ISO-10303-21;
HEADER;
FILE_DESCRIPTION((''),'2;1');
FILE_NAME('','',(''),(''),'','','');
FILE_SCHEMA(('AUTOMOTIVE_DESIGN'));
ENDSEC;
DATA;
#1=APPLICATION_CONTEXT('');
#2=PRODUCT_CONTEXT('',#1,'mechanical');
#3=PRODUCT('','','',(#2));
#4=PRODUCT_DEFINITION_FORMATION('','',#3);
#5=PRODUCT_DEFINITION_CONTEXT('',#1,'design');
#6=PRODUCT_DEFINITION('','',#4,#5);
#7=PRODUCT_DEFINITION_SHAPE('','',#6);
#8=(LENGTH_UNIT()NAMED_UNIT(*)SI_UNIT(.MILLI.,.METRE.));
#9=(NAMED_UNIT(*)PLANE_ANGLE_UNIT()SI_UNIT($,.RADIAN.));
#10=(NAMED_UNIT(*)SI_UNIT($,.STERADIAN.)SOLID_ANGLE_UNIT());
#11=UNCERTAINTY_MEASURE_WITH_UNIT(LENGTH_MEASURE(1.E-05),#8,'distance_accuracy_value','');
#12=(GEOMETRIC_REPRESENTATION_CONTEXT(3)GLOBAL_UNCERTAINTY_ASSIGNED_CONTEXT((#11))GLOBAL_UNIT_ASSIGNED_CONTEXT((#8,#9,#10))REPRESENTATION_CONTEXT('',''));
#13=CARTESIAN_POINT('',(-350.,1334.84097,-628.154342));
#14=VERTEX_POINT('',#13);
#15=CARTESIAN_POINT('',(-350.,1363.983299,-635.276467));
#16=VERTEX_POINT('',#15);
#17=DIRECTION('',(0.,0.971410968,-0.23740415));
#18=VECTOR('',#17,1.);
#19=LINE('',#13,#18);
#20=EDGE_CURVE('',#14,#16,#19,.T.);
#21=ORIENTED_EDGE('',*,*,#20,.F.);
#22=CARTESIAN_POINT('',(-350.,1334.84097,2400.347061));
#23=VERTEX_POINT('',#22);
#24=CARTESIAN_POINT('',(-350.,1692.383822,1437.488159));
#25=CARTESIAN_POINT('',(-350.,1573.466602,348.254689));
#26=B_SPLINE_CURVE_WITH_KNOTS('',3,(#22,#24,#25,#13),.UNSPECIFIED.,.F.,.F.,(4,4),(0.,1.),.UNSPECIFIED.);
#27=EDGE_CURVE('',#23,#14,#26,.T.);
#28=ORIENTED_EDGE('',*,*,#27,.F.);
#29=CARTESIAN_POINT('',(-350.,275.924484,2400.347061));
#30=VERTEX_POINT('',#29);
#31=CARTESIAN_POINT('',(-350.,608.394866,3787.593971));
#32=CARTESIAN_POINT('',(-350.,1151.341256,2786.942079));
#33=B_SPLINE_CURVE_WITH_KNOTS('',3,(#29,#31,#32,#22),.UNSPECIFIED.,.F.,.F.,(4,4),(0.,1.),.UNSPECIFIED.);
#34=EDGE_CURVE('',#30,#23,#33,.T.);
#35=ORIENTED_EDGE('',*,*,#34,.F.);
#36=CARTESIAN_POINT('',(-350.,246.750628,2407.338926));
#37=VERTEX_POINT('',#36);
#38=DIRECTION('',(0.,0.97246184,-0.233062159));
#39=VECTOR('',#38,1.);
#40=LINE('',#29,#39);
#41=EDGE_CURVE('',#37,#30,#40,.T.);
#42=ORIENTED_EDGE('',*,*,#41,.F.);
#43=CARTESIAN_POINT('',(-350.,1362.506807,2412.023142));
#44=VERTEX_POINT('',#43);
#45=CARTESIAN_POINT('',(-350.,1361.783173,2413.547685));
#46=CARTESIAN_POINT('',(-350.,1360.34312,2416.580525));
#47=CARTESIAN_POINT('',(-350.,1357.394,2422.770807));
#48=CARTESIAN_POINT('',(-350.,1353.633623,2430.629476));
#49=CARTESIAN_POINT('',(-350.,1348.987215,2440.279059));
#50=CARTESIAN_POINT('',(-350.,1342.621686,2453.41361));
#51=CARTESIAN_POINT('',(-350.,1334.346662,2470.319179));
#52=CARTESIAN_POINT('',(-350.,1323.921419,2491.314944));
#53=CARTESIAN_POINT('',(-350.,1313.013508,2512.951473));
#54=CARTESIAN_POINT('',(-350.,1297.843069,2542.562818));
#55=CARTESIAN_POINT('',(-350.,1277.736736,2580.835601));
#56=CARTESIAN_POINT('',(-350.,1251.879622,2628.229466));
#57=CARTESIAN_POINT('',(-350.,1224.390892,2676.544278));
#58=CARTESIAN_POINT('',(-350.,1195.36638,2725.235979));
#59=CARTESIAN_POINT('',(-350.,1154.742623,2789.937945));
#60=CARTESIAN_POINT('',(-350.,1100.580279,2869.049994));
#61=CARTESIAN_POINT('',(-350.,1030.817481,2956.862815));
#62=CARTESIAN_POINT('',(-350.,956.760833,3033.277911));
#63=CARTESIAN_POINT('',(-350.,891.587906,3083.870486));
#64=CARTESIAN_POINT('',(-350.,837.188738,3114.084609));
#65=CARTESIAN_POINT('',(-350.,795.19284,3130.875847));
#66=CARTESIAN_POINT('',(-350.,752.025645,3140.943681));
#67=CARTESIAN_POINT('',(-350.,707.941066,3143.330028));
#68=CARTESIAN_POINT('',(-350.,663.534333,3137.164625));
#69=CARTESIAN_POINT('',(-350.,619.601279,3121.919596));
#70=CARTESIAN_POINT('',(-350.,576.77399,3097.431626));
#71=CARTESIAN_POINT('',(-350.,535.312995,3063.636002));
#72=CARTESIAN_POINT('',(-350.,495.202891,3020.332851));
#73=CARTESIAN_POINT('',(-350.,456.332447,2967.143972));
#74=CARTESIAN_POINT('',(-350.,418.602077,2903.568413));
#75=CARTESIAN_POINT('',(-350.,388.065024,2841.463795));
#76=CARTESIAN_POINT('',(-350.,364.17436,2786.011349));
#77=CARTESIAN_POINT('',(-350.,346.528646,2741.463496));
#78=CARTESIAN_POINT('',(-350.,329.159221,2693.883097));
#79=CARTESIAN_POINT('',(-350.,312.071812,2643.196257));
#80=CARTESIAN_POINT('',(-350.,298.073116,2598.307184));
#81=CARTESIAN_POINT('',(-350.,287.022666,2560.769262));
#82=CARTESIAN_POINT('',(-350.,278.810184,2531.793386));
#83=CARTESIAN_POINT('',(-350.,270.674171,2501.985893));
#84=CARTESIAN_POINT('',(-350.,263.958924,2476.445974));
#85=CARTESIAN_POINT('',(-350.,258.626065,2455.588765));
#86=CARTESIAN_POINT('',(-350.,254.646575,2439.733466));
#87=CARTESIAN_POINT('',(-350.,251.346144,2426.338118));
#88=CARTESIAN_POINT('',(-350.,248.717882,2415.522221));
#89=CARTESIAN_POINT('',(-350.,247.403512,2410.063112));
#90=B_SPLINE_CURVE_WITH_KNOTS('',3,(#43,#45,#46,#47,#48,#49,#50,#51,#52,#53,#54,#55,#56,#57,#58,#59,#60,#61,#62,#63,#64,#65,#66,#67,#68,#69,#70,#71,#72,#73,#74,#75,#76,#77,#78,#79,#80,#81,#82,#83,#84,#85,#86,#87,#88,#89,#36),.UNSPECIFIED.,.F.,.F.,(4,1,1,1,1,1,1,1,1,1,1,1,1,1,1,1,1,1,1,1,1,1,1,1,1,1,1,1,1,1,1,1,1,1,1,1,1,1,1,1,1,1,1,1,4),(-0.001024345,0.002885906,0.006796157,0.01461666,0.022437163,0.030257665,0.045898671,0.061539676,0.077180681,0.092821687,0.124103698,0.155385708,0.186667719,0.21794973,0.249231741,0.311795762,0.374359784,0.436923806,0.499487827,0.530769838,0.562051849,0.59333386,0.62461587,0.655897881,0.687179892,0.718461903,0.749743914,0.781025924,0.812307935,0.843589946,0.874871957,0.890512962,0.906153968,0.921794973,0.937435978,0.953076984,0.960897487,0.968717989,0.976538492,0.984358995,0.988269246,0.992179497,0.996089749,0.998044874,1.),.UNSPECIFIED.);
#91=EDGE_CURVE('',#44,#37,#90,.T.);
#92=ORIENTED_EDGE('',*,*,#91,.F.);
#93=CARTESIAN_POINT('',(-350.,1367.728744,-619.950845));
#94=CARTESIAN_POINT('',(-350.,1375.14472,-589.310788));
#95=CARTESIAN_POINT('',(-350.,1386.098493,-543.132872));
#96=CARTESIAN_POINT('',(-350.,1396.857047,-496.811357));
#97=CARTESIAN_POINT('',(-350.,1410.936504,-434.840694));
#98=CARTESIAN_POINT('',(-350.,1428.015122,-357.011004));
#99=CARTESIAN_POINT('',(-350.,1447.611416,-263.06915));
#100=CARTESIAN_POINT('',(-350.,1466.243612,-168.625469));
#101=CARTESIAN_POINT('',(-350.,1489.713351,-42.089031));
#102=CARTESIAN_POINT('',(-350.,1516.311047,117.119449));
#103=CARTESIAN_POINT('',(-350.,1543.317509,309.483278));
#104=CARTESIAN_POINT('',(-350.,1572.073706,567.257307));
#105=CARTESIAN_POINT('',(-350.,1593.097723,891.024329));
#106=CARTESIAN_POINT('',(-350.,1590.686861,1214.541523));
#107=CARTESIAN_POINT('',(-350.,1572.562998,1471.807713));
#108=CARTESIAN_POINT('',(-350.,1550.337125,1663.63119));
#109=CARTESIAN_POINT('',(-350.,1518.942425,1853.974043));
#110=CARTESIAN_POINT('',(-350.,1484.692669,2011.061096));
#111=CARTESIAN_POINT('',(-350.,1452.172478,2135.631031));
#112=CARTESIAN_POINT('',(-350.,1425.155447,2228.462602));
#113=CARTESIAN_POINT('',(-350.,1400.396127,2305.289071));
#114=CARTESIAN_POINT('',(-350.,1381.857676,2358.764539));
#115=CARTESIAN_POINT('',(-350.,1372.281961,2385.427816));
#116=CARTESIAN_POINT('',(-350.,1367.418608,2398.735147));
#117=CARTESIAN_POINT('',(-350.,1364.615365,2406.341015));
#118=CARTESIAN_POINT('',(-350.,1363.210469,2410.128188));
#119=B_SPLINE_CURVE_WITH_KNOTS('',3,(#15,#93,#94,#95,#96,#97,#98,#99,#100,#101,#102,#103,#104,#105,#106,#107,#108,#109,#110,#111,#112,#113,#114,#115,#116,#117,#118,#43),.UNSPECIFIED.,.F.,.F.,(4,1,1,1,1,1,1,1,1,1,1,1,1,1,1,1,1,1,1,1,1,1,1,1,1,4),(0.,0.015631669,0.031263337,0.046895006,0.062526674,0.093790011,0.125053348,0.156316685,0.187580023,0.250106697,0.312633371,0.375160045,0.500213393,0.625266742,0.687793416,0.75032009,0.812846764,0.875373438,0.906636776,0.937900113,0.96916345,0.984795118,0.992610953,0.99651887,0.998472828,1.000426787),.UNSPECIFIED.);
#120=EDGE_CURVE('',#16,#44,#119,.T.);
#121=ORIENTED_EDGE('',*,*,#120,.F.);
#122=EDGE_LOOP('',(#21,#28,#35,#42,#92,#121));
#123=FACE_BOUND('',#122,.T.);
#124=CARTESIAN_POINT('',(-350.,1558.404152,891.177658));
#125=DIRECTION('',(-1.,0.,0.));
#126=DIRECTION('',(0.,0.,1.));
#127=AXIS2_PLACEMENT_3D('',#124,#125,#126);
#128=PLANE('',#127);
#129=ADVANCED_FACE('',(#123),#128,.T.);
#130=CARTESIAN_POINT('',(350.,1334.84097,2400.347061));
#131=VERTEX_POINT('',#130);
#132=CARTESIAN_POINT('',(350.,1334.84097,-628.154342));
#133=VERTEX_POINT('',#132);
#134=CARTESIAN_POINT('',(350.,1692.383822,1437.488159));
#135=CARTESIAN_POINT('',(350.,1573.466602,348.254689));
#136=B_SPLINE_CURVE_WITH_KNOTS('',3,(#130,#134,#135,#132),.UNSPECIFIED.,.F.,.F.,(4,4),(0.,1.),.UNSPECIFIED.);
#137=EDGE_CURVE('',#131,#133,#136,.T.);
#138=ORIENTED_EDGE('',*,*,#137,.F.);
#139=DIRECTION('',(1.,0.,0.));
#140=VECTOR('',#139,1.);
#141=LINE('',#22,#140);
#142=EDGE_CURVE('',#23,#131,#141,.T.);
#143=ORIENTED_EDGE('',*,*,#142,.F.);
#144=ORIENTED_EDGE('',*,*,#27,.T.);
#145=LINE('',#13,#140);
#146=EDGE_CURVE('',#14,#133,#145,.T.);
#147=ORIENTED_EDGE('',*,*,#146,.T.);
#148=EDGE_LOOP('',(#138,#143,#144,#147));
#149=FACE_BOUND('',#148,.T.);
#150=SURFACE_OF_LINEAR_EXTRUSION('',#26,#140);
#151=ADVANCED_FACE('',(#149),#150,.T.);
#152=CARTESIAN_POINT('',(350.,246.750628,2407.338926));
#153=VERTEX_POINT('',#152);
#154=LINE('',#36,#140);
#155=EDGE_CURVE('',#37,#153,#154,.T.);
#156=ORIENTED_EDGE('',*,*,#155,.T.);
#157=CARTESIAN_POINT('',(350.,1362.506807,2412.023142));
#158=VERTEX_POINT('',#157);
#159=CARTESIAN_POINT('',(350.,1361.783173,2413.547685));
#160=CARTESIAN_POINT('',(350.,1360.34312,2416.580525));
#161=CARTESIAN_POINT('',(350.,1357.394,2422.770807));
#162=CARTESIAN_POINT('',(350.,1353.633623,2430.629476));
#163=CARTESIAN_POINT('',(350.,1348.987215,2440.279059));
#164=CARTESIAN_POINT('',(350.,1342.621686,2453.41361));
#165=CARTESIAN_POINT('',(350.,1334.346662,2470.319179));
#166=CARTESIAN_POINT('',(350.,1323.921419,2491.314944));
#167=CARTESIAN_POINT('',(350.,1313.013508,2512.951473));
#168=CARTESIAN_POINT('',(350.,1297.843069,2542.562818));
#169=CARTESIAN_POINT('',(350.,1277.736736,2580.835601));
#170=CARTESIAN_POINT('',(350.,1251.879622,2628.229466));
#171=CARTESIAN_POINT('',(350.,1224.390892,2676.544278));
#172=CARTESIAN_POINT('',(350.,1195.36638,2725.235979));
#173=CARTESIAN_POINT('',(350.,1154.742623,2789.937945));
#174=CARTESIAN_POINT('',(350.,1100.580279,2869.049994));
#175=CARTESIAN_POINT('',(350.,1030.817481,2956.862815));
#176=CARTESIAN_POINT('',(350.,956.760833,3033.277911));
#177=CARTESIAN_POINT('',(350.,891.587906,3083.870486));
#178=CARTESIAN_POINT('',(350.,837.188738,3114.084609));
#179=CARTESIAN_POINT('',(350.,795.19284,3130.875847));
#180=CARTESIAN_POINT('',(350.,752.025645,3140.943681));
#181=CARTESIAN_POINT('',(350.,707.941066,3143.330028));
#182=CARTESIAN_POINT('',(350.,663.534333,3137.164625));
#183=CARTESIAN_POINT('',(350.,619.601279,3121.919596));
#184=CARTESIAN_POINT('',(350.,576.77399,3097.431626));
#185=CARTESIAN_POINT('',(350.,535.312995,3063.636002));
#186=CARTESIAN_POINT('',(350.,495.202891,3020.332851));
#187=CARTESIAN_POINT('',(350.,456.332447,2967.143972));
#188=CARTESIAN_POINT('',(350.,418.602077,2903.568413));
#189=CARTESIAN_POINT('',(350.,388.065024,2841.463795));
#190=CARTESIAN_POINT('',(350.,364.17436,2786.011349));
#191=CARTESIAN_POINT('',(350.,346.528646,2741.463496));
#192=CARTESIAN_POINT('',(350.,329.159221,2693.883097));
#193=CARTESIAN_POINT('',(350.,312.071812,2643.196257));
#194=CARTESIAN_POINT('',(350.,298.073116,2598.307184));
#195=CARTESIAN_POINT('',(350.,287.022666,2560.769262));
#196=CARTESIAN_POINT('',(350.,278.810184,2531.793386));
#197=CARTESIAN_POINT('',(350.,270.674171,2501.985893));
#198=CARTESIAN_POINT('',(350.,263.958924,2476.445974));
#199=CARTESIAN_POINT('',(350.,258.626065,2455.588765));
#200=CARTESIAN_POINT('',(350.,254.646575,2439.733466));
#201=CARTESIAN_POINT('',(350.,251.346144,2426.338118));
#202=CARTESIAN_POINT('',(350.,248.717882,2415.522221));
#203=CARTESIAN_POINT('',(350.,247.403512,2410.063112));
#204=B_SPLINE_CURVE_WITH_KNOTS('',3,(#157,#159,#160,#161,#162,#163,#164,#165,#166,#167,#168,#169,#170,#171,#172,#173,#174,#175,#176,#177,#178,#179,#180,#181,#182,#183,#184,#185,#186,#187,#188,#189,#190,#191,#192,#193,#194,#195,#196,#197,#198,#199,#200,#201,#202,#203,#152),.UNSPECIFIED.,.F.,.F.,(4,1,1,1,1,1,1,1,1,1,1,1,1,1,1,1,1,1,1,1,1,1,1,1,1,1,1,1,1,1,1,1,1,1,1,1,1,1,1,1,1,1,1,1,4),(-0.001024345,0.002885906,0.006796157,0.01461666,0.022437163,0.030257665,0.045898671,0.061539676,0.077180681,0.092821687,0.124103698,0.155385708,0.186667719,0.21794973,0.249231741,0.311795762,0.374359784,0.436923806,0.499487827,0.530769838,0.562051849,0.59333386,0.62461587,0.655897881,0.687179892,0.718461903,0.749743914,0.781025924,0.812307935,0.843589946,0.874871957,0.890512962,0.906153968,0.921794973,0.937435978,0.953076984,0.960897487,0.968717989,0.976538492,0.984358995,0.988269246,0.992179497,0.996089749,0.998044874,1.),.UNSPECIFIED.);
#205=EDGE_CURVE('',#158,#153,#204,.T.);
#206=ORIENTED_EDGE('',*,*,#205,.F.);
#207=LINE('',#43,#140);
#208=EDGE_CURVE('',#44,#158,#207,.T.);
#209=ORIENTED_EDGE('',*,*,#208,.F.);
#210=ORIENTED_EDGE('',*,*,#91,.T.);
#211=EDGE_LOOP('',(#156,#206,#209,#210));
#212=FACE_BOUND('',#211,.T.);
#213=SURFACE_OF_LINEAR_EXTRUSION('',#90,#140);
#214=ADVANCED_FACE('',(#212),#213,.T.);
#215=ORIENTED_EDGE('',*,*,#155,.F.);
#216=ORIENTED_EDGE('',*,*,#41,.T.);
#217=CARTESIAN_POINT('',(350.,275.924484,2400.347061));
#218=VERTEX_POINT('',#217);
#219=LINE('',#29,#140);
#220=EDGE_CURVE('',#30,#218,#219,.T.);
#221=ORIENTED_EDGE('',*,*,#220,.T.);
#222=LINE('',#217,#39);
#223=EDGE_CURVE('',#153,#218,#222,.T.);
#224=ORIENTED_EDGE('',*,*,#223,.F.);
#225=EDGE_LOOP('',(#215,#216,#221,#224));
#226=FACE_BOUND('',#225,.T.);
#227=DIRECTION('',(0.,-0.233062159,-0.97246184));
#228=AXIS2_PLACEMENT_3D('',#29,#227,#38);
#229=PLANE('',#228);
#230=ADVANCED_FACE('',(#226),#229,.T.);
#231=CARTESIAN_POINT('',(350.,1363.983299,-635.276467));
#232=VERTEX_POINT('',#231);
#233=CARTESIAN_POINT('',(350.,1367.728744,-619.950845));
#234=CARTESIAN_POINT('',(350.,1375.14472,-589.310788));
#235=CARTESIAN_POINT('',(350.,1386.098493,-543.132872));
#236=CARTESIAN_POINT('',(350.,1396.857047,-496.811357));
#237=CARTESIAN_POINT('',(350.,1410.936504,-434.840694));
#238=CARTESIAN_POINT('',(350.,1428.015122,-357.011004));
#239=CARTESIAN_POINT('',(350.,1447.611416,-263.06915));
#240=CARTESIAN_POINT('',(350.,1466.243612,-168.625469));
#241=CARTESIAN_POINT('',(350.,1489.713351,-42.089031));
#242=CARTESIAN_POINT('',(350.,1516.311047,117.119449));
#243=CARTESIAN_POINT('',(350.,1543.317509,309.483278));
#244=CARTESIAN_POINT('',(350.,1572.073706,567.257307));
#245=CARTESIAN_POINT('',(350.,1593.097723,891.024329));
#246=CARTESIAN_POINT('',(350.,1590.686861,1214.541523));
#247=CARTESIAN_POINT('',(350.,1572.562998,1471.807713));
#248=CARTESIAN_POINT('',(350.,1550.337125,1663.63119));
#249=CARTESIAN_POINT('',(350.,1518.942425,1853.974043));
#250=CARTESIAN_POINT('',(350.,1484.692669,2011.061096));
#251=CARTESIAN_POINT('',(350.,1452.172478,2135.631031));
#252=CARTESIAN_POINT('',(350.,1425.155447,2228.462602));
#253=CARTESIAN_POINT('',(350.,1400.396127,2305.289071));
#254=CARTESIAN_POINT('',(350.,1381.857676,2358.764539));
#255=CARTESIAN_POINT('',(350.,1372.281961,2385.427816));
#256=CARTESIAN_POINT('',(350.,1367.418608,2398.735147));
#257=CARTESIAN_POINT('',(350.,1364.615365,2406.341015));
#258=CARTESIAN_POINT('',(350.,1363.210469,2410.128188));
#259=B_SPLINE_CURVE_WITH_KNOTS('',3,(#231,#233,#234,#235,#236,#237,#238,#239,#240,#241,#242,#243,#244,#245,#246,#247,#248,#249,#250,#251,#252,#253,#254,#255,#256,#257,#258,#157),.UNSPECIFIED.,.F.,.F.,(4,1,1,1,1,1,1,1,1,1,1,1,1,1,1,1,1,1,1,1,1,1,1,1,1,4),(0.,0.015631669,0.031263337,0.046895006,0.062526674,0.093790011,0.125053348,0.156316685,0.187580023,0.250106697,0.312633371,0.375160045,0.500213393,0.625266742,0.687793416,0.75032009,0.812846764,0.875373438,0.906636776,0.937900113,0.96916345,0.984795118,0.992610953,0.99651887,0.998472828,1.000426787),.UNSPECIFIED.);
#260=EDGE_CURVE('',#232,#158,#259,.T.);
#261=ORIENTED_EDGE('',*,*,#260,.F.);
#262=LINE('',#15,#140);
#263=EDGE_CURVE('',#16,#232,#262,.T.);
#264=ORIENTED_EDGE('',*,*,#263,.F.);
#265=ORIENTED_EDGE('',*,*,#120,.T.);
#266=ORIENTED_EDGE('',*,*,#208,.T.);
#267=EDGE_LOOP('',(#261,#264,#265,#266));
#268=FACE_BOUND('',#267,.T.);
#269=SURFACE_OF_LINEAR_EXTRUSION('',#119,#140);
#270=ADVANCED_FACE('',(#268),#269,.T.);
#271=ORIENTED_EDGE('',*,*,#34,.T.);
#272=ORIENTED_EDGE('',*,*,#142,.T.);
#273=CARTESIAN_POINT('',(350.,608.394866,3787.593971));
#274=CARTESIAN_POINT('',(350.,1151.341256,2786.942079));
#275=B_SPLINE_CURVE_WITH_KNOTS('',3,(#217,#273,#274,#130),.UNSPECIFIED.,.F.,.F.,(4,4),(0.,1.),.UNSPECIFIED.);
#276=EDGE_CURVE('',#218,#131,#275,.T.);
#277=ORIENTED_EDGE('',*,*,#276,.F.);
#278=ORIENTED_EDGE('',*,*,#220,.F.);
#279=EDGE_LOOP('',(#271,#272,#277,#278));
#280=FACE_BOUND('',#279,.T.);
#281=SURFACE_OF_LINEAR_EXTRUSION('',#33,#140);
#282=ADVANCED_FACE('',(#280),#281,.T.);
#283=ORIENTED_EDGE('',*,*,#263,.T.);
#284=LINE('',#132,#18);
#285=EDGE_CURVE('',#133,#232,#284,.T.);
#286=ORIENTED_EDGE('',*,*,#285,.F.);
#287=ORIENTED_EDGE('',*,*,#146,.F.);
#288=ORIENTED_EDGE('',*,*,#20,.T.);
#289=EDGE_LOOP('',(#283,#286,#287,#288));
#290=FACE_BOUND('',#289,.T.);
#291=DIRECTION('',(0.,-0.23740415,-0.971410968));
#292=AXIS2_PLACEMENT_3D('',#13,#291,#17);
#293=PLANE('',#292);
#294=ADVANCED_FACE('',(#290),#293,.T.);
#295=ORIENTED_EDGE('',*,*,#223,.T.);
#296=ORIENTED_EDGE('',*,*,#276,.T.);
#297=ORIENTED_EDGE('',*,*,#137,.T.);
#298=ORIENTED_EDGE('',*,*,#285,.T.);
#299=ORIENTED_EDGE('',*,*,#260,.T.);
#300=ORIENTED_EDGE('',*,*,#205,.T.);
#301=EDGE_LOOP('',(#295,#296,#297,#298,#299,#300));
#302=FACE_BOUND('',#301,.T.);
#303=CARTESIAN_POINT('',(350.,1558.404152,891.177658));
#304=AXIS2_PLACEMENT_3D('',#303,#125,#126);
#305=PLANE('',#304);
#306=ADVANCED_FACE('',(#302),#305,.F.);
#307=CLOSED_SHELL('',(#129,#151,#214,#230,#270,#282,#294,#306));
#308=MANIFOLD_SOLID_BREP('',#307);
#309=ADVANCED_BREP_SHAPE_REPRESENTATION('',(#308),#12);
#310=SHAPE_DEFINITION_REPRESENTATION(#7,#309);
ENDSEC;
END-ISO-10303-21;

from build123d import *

# Parameters (mm, degrees)
BOSS_EXTRUDE1_DEPTH      = 350
BOSS_EXTRUDE1_DEPTH_BACK = 350


with BuildPart() as part:
    # Sketch2 → Boss-Extrude1 (new, two sides: drawn at the far end of the back side and taken through both)
    with BuildSketch(Plane(origin=(0, 0, 0), x_dir=(0, 0, -1), z_dir=(1, 0, 0)).offset(-BOSS_EXTRUDE1_DEPTH_BACK)):
        with BuildLine():
            Line((628.154342243, 1334.840970334), (635.276466748, 1363.983299386))
            add(Edge.make_bspline(
                [(635.276466748, 1363.983299386), (619.950844608, 1367.728744329), (589.310787735, 1375.144720028), (543.132871998, 1386.098493225), (496.811356933, 1396.857046899), (434.840693875, 1410.936503832), (357.011004214, 1428.015122272), (263.069150027, 1447.61141599), (168.625469332, 1466.243611988), (42.089030623, 1489.713351), (-117.119449153, 1516.311047234), (-309.483277706, 1543.317508561), (-567.257307298, 1572.073706113), (-891.024329092, 1593.097723414), (-1214.541523428, 1590.686861253), (-1471.807713301, 1572.562998322), (-1663.631190085, 1550.337124801), (-1853.974042759, 1518.942425185), (-2011.061096311, 1484.692669353), (-2135.631031426, 1452.17247831), (-2228.462601629, 1425.155446722), (-2305.289070598, 1400.396126606), (-2358.764539347, 1381.857676398), (-2385.42781594, 1372.281960642), (-2398.735147271, 1367.418607889), (-2406.341015013, 1364.615364779), (-2410.128187847, 1363.210469149), (-2412.023142039, 1362.506807039)],
                knots=[0, 0, 0, 0, 0.015631669, 0.031263337, 0.046895006, 0.062526674, 0.093790011, 0.125053348, 0.156316685, 0.187580023, 0.250106697, 0.312633371, 0.375160045, 0.500213393, 0.625266742, 0.687793416, 0.75032009, 0.812846764, 0.875373438, 0.906636776, 0.937900113, 0.96916345, 0.984795118, 0.992610953, 0.99651887, 0.998472828, 1.000426787, 1.000426787, 1.000426787, 1.000426787], degree=3))
            add(Edge.make_bspline(
                [(-2412.023142039, 1362.506807039), (-2413.547685005, 1361.783173298), (-2416.58052508, 1360.343120157), (-2422.770806958, 1357.394000429), (-2430.629476442, 1353.633622561), (-2440.279058854, 1348.987215064), (-2453.413610098, 1342.621685814), (-2470.319178756, 1334.346662012), (-2491.314943645, 1323.921419166), (-2512.951472876, 1313.013508143), (-2542.562818049, 1297.843068546), (-2580.835600509, 1277.736735779), (-2628.22946562, 1251.879622044), (-2676.544278137, 1224.390892005), (-2725.235979299, 1195.366380163), (-2789.937945212, 1154.742623046), (-2869.049993669, 1100.580279136), (-2956.862814821, 1030.817481431), (-3033.277910981, 956.760832624), (-3083.870485985, 891.587905629), (-3114.084609446, 837.188737736), (-3130.875847474, 795.192839564), (-3140.943680785, 752.025644532), (-3143.330027924, 707.941066275), (-3137.164624584, 663.534332821), (-3121.919596231, 619.601279239), (-3097.431626157, 576.773990458), (-3063.636002015, 535.312995393), (-3020.332850573, 495.202891062), (-2967.143972324, 456.332447081), (-2903.568412701, 418.602076564), (-2841.463794619, 388.065023687), (-2786.011348531, 364.174359874), (-2741.463495698, 346.528645614), (-2693.883096863, 329.159220608), (-2643.196256588, 312.071812213), (-2598.307184016, 298.073115592), (-2560.769262043, 287.022666073), (-2531.793385969, 278.810184481), (-2501.98589314, 270.674171138), (-2476.445974381, 263.958923859), (-2455.588765426, 258.626064752), (-2439.733465963, 254.646575467), (-2426.3381175, 251.346143993), (-2415.522221427, 248.717882491), (-2410.06311188, 247.4035123), (-2407.33892625, 246.750628497)],
                knots=[-0.001024345, -0.001024345, -0.001024345, -0.001024345, 0.002885906, 0.006796157, 0.01461666, 0.022437163, 0.030257665, 0.045898671, 0.061539676, 0.077180681, 0.092821687, 0.124103698, 0.155385708, 0.186667719, 0.21794973, 0.249231741, 0.311795762, 0.374359784, 0.436923806, 0.499487827, 0.530769838, 0.562051849, 0.59333386, 0.62461587, 0.655897881, 0.687179892, 0.718461903, 0.749743914, 0.781025924, 0.812307935, 0.843589946, 0.874871957, 0.890512962, 0.906153968, 0.921794973, 0.937435978, 0.953076984, 0.960897487, 0.968717989, 0.976538492, 0.984358995, 0.988269246, 0.992179497, 0.996089749, 0.998044874, 1, 1, 1, 1], degree=3))
            Line((-2407.33892625, 246.750628497), (-2400.347061488, 275.924483696))
            add(Edge.make_bspline(
                [(-2400.347061488, 1334.840970334), (-2786.942079152, 1151.341255779), (-3787.593971498, 608.394865861), (-2400.347061488, 275.924483696)],
                knots=[0, 0, 0, 0, 1, 1, 1, 1], degree=3))
            add(Edge.make_bspline(
                [(628.154342243, 1334.840970334), (-348.254688721, 1573.466602271), (-1437.488159342, 1692.383822459), (-2400.347061488, 1334.840970334)],
                knots=[0, 0, 0, 0, 1, 1, 1, 1], degree=3))
        make_face()
    extrude(amount=BOSS_EXTRUDE1_DEPTH + BOSS_EXTRUDE1_DEPTH_BACK)


solid = part.part
